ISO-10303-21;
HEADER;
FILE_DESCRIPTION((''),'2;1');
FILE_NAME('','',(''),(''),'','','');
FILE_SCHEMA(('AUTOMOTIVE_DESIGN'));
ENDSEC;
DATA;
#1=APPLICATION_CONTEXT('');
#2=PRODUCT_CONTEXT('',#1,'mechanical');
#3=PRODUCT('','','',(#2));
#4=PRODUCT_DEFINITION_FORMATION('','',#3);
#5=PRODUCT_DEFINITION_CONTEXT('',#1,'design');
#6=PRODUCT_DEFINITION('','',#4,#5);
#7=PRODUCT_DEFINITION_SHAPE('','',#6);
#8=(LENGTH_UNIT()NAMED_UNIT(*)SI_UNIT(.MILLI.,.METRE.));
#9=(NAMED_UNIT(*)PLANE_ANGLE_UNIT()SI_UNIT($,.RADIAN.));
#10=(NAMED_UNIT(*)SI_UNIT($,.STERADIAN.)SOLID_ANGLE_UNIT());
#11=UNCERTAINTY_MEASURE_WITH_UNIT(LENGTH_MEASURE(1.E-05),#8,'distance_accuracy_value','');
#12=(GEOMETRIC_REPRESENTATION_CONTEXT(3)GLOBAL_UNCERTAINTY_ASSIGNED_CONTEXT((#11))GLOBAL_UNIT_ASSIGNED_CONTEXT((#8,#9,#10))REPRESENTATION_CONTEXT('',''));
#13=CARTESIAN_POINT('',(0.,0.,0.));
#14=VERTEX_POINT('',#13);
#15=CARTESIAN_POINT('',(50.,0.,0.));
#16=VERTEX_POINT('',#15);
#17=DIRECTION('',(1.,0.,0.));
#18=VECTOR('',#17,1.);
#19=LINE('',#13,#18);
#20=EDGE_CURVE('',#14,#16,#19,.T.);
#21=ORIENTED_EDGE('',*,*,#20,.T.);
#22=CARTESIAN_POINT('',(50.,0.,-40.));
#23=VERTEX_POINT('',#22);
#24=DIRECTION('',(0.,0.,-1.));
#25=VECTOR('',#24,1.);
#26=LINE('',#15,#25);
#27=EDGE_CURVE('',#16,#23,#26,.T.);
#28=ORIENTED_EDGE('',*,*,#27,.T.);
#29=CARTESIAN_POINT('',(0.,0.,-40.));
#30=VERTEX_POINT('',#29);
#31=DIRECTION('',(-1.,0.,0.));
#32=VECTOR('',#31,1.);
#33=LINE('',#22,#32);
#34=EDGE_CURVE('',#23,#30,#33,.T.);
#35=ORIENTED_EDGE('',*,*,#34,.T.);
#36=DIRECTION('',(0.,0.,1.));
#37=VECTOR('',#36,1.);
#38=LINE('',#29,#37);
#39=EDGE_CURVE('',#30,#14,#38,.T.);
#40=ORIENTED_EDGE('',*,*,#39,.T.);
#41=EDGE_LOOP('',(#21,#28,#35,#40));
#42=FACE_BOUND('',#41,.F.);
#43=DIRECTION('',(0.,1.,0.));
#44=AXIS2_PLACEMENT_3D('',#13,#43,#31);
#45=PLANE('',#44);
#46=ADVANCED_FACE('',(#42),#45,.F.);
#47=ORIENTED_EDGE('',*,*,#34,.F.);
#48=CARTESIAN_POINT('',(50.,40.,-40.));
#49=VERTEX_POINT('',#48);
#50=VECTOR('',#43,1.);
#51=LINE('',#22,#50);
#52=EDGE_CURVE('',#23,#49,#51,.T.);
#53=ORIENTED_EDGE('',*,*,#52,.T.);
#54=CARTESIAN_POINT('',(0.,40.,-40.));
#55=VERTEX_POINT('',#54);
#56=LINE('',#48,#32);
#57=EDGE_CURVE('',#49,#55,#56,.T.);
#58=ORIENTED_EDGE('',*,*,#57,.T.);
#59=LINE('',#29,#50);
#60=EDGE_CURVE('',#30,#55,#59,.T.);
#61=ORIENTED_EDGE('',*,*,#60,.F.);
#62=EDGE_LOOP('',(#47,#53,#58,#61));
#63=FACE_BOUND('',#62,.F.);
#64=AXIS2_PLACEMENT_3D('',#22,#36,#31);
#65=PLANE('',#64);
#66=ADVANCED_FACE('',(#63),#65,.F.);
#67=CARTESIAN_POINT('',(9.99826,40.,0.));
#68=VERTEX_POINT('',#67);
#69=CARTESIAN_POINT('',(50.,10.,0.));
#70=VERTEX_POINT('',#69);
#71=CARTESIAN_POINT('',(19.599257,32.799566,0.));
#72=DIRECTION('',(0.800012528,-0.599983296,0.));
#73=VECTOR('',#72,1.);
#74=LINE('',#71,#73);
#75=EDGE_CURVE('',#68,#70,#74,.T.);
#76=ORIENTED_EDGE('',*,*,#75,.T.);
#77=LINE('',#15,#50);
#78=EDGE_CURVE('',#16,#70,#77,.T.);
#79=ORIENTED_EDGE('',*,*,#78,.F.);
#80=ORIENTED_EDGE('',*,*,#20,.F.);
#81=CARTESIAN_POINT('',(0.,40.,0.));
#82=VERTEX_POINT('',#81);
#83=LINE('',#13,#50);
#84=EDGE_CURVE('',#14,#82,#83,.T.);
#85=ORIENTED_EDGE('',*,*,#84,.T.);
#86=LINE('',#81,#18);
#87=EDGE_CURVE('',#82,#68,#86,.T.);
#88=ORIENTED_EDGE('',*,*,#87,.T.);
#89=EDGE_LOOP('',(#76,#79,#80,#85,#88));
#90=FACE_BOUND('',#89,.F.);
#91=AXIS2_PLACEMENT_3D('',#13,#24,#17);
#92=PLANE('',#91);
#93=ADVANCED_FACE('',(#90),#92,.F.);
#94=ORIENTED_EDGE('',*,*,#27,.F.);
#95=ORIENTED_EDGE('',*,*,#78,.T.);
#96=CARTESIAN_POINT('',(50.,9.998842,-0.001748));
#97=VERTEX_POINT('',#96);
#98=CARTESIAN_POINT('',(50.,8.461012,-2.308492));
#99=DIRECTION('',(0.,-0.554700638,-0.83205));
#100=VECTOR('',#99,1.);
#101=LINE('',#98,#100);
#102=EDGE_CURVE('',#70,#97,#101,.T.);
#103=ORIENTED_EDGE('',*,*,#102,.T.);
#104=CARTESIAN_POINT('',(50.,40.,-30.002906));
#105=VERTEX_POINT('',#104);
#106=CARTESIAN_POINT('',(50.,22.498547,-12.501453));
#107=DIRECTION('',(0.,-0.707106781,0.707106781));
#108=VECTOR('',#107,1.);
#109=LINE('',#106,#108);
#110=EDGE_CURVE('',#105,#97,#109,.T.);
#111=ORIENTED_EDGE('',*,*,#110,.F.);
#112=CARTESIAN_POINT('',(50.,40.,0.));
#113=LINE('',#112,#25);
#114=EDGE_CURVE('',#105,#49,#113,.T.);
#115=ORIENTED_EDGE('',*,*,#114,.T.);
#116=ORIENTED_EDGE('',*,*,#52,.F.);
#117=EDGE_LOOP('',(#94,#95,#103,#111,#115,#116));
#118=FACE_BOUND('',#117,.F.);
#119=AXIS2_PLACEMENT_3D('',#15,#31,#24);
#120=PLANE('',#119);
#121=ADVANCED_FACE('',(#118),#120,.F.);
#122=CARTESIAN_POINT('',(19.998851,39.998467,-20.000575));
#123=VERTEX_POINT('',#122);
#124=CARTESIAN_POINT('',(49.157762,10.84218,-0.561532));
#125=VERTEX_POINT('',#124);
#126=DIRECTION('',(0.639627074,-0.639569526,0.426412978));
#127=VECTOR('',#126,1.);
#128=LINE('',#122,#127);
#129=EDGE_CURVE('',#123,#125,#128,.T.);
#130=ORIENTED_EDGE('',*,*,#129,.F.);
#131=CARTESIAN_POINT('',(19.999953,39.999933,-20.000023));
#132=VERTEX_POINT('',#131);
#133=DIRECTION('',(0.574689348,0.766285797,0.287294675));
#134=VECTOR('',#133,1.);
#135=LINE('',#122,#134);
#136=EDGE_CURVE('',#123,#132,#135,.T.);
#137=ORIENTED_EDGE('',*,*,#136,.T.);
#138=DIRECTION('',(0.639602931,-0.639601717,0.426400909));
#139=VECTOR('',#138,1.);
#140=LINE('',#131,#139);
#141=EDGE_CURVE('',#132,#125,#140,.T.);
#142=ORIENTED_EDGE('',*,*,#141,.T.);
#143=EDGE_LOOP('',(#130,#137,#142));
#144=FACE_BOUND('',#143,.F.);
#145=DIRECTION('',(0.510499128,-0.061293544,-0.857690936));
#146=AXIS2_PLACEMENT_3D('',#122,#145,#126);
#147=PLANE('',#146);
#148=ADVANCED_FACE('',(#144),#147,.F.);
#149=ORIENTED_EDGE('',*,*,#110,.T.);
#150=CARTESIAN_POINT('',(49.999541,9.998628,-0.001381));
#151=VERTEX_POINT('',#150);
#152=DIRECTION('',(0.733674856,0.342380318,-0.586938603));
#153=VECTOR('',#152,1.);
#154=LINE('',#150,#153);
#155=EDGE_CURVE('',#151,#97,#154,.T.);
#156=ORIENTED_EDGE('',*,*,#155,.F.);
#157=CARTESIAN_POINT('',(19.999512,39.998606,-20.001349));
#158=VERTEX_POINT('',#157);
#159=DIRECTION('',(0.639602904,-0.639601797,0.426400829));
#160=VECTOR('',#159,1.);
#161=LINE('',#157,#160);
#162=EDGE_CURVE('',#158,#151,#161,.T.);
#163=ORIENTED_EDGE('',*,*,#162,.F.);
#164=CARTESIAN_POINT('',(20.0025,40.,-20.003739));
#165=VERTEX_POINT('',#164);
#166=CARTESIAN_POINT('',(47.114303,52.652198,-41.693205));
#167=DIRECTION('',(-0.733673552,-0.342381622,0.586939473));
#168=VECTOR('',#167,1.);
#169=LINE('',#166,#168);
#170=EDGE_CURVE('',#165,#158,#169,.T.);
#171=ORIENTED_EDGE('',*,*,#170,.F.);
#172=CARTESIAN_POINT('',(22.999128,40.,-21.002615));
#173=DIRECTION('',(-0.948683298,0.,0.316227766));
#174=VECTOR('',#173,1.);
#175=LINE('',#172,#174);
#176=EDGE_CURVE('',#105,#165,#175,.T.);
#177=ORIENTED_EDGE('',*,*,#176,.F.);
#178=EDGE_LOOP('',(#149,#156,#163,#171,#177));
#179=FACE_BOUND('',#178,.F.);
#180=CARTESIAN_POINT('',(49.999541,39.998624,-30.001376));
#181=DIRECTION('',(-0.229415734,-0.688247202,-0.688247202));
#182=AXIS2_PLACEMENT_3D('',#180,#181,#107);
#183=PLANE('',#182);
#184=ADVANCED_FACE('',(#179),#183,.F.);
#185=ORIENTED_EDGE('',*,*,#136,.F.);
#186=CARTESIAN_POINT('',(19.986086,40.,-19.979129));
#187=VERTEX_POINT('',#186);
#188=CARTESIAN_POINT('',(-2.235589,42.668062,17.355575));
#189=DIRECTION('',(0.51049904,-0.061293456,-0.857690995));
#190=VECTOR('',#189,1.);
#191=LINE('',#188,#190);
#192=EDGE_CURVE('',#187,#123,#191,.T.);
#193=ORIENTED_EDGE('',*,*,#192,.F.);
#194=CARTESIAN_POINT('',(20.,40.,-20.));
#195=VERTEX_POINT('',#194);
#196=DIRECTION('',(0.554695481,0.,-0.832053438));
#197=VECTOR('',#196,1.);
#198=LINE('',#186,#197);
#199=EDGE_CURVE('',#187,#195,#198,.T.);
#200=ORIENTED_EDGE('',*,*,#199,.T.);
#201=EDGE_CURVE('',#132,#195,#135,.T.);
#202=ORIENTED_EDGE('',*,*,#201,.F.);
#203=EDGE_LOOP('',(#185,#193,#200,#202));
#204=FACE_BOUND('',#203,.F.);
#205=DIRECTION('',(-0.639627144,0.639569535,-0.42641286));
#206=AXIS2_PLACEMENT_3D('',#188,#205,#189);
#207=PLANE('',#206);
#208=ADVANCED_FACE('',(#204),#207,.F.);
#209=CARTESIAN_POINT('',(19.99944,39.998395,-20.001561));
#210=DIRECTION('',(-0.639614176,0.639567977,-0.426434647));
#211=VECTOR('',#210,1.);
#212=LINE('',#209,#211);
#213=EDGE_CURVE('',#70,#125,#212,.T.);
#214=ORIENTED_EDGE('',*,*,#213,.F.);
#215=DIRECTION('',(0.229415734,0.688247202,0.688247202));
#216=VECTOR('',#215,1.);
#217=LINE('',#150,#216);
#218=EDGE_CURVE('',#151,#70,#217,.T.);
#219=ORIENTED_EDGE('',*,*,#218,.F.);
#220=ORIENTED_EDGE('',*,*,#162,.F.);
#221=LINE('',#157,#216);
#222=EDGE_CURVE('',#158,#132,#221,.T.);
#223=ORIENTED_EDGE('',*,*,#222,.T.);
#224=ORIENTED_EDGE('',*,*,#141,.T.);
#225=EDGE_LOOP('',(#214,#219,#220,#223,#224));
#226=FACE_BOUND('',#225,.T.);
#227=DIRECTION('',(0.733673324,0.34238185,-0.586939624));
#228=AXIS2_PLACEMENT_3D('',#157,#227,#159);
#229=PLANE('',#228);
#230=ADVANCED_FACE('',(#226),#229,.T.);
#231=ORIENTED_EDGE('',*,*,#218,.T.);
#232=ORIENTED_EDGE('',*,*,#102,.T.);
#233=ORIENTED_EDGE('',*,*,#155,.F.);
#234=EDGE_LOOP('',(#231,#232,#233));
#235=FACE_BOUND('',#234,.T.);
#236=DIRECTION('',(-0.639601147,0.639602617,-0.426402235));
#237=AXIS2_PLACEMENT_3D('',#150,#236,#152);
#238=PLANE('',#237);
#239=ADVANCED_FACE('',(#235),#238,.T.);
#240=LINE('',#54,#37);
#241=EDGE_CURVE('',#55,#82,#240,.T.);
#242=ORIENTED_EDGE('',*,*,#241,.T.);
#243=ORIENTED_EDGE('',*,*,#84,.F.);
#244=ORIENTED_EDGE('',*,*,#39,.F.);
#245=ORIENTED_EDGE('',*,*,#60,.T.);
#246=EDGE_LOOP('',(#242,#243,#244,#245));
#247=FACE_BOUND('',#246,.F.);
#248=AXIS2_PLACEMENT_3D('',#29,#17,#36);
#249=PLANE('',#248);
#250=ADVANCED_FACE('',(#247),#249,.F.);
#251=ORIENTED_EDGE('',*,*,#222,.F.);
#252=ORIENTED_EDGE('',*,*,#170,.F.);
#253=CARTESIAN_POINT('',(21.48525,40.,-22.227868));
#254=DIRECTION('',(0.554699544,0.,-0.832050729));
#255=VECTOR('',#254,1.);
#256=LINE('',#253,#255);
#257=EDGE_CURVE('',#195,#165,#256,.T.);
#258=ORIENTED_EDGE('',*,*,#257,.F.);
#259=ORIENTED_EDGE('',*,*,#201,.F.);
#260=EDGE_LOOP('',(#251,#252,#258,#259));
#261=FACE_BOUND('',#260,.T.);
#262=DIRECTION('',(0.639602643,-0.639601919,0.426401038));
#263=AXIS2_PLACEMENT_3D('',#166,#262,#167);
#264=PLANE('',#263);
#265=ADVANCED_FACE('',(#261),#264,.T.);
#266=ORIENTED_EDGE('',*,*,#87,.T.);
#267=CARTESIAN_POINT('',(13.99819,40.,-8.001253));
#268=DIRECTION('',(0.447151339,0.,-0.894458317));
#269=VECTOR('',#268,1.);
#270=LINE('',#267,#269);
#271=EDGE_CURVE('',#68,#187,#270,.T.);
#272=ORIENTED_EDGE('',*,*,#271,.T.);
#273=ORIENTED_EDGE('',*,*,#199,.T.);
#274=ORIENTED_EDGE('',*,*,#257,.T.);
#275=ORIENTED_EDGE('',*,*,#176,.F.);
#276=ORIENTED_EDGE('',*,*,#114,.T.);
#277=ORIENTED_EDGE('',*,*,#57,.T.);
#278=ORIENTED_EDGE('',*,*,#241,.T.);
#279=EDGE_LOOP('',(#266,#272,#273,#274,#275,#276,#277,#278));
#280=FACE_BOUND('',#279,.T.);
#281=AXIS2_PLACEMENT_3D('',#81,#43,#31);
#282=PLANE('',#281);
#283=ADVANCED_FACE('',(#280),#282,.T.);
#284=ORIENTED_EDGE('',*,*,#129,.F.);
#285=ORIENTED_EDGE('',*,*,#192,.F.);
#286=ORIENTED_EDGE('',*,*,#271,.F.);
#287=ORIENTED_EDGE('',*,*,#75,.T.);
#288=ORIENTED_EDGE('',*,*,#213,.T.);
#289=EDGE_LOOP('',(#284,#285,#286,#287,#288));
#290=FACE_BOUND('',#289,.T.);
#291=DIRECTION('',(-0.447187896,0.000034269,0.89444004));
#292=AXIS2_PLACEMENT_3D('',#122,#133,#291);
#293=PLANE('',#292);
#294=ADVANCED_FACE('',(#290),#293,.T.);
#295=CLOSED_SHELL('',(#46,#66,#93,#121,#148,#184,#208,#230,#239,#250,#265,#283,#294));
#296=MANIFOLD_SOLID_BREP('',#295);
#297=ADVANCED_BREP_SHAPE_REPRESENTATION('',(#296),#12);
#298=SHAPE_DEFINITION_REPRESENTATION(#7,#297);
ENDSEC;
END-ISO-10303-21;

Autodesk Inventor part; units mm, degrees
ref_plane "YZ Plane" through (0, 0, 0) normal (1, 0, 0) x (0, 1, 0)
sketch "草圖1" plane through (0, 0, 0) normal (0, 1, 0) x (-1, 0, 0)
  line L0 (0, 0) -> (-50, 0)
  line L1 (-50, 0) -> (-50, -40)
  line L2 (-50, -40) -> (0, -40)
  line L3 (0, -40) -> (0, 0)
  dimension "d0" = 40
  dimension "d1" = 50
extrude "擠出1" add sketch "草圖1" along normal blind 40
sketch "草圖2" plane through (0, 0, 0) normal (0, 0, 1) x (1, 0, 0)
  line L0 (50, 10) -> (10, 40)
  line L1 (0, 40) -> (50, 40) projected
  line L2 (50, 0) -> (50, 40) projected
  point P0 (0, 0)
  dimension "d4" = 30
  dimension "d5" = 40
sketch "草圖3" plane through (0, 40, 0) normal (0, 1, 0) x (1, 0, 0)
  line L0 (0, 0) -> (50, 0) projected
  line L1 (50, 0) -> (50, 40) projected
  point P0 (20, 20)
  dimension "d6" = 20
  dimension "d7" = 30
ref_plane "工作平面1" through (20, 40, -20) normal (0.5747, 0.7663, 0.2873) x (-0.4472, 0, 0.8944)
sketch "草圖4" plane through (20, 40, -20) normal (0.5747, 0.7663, 0.2873) x (-0.4472, 0, 0.8944)
  line L0 (0, 0) -> (4.4721, 46.6905)
  line L1 (4.4721, 46.6905) -> (47.828, 42.5377)
  line L2 (47.828, 42.5377) -> (43.3559, -4.1527)
  line L3 (43.3559, -4.1527) -> (0, 0)
  point P0 (26.8328, 18.8475)
extrude "擠出2" cut sketch "草圖4" along normal blind 40
sketch "草圖5" plane through (50, 0, 0) normal (1, 0, 0) x (0, 0, -1)
  line L0 (2.1429, 40) -> (0, 10) projected
  line L1 (0, 10) -> (30, 40)
  line L2 (40, 40) -> (0, 40) projected
  point P0 (0, 0)
  dimension "d10" = 30
ref_plane "工作平面2" through (50, 40, -30) normal (-0.2294, -0.6882, -0.6882) x (0, -0.7071, 0.7071)
sketch "草圖6" plane through (50, 40, -30) normal (-0.2294, -0.6882, -0.6882) x (0, -0.7071, 0.7071)
  line L0 (7.0711, 30.8221) -> (19.698, 4.519) projected
  line L1 (19.698, 4.519) -> (42.4264, 0) projected
  line L2 (7.0711, 30.8221) -> (42.4264, 0)
  line L3 (42.4264, 0) -> (18.1406, -27.8578)
  line L4 (18.1406, -27.8578) -> (-17.2148, 2.9643)
  line L5 (-17.2148, 2.9643) -> (7.0711, 30.8221)
  point P0 (49.4975, 47.0442)
extrude "擠出3" cut sketch "草圖6" against normal blind 40
properties part number "24"
